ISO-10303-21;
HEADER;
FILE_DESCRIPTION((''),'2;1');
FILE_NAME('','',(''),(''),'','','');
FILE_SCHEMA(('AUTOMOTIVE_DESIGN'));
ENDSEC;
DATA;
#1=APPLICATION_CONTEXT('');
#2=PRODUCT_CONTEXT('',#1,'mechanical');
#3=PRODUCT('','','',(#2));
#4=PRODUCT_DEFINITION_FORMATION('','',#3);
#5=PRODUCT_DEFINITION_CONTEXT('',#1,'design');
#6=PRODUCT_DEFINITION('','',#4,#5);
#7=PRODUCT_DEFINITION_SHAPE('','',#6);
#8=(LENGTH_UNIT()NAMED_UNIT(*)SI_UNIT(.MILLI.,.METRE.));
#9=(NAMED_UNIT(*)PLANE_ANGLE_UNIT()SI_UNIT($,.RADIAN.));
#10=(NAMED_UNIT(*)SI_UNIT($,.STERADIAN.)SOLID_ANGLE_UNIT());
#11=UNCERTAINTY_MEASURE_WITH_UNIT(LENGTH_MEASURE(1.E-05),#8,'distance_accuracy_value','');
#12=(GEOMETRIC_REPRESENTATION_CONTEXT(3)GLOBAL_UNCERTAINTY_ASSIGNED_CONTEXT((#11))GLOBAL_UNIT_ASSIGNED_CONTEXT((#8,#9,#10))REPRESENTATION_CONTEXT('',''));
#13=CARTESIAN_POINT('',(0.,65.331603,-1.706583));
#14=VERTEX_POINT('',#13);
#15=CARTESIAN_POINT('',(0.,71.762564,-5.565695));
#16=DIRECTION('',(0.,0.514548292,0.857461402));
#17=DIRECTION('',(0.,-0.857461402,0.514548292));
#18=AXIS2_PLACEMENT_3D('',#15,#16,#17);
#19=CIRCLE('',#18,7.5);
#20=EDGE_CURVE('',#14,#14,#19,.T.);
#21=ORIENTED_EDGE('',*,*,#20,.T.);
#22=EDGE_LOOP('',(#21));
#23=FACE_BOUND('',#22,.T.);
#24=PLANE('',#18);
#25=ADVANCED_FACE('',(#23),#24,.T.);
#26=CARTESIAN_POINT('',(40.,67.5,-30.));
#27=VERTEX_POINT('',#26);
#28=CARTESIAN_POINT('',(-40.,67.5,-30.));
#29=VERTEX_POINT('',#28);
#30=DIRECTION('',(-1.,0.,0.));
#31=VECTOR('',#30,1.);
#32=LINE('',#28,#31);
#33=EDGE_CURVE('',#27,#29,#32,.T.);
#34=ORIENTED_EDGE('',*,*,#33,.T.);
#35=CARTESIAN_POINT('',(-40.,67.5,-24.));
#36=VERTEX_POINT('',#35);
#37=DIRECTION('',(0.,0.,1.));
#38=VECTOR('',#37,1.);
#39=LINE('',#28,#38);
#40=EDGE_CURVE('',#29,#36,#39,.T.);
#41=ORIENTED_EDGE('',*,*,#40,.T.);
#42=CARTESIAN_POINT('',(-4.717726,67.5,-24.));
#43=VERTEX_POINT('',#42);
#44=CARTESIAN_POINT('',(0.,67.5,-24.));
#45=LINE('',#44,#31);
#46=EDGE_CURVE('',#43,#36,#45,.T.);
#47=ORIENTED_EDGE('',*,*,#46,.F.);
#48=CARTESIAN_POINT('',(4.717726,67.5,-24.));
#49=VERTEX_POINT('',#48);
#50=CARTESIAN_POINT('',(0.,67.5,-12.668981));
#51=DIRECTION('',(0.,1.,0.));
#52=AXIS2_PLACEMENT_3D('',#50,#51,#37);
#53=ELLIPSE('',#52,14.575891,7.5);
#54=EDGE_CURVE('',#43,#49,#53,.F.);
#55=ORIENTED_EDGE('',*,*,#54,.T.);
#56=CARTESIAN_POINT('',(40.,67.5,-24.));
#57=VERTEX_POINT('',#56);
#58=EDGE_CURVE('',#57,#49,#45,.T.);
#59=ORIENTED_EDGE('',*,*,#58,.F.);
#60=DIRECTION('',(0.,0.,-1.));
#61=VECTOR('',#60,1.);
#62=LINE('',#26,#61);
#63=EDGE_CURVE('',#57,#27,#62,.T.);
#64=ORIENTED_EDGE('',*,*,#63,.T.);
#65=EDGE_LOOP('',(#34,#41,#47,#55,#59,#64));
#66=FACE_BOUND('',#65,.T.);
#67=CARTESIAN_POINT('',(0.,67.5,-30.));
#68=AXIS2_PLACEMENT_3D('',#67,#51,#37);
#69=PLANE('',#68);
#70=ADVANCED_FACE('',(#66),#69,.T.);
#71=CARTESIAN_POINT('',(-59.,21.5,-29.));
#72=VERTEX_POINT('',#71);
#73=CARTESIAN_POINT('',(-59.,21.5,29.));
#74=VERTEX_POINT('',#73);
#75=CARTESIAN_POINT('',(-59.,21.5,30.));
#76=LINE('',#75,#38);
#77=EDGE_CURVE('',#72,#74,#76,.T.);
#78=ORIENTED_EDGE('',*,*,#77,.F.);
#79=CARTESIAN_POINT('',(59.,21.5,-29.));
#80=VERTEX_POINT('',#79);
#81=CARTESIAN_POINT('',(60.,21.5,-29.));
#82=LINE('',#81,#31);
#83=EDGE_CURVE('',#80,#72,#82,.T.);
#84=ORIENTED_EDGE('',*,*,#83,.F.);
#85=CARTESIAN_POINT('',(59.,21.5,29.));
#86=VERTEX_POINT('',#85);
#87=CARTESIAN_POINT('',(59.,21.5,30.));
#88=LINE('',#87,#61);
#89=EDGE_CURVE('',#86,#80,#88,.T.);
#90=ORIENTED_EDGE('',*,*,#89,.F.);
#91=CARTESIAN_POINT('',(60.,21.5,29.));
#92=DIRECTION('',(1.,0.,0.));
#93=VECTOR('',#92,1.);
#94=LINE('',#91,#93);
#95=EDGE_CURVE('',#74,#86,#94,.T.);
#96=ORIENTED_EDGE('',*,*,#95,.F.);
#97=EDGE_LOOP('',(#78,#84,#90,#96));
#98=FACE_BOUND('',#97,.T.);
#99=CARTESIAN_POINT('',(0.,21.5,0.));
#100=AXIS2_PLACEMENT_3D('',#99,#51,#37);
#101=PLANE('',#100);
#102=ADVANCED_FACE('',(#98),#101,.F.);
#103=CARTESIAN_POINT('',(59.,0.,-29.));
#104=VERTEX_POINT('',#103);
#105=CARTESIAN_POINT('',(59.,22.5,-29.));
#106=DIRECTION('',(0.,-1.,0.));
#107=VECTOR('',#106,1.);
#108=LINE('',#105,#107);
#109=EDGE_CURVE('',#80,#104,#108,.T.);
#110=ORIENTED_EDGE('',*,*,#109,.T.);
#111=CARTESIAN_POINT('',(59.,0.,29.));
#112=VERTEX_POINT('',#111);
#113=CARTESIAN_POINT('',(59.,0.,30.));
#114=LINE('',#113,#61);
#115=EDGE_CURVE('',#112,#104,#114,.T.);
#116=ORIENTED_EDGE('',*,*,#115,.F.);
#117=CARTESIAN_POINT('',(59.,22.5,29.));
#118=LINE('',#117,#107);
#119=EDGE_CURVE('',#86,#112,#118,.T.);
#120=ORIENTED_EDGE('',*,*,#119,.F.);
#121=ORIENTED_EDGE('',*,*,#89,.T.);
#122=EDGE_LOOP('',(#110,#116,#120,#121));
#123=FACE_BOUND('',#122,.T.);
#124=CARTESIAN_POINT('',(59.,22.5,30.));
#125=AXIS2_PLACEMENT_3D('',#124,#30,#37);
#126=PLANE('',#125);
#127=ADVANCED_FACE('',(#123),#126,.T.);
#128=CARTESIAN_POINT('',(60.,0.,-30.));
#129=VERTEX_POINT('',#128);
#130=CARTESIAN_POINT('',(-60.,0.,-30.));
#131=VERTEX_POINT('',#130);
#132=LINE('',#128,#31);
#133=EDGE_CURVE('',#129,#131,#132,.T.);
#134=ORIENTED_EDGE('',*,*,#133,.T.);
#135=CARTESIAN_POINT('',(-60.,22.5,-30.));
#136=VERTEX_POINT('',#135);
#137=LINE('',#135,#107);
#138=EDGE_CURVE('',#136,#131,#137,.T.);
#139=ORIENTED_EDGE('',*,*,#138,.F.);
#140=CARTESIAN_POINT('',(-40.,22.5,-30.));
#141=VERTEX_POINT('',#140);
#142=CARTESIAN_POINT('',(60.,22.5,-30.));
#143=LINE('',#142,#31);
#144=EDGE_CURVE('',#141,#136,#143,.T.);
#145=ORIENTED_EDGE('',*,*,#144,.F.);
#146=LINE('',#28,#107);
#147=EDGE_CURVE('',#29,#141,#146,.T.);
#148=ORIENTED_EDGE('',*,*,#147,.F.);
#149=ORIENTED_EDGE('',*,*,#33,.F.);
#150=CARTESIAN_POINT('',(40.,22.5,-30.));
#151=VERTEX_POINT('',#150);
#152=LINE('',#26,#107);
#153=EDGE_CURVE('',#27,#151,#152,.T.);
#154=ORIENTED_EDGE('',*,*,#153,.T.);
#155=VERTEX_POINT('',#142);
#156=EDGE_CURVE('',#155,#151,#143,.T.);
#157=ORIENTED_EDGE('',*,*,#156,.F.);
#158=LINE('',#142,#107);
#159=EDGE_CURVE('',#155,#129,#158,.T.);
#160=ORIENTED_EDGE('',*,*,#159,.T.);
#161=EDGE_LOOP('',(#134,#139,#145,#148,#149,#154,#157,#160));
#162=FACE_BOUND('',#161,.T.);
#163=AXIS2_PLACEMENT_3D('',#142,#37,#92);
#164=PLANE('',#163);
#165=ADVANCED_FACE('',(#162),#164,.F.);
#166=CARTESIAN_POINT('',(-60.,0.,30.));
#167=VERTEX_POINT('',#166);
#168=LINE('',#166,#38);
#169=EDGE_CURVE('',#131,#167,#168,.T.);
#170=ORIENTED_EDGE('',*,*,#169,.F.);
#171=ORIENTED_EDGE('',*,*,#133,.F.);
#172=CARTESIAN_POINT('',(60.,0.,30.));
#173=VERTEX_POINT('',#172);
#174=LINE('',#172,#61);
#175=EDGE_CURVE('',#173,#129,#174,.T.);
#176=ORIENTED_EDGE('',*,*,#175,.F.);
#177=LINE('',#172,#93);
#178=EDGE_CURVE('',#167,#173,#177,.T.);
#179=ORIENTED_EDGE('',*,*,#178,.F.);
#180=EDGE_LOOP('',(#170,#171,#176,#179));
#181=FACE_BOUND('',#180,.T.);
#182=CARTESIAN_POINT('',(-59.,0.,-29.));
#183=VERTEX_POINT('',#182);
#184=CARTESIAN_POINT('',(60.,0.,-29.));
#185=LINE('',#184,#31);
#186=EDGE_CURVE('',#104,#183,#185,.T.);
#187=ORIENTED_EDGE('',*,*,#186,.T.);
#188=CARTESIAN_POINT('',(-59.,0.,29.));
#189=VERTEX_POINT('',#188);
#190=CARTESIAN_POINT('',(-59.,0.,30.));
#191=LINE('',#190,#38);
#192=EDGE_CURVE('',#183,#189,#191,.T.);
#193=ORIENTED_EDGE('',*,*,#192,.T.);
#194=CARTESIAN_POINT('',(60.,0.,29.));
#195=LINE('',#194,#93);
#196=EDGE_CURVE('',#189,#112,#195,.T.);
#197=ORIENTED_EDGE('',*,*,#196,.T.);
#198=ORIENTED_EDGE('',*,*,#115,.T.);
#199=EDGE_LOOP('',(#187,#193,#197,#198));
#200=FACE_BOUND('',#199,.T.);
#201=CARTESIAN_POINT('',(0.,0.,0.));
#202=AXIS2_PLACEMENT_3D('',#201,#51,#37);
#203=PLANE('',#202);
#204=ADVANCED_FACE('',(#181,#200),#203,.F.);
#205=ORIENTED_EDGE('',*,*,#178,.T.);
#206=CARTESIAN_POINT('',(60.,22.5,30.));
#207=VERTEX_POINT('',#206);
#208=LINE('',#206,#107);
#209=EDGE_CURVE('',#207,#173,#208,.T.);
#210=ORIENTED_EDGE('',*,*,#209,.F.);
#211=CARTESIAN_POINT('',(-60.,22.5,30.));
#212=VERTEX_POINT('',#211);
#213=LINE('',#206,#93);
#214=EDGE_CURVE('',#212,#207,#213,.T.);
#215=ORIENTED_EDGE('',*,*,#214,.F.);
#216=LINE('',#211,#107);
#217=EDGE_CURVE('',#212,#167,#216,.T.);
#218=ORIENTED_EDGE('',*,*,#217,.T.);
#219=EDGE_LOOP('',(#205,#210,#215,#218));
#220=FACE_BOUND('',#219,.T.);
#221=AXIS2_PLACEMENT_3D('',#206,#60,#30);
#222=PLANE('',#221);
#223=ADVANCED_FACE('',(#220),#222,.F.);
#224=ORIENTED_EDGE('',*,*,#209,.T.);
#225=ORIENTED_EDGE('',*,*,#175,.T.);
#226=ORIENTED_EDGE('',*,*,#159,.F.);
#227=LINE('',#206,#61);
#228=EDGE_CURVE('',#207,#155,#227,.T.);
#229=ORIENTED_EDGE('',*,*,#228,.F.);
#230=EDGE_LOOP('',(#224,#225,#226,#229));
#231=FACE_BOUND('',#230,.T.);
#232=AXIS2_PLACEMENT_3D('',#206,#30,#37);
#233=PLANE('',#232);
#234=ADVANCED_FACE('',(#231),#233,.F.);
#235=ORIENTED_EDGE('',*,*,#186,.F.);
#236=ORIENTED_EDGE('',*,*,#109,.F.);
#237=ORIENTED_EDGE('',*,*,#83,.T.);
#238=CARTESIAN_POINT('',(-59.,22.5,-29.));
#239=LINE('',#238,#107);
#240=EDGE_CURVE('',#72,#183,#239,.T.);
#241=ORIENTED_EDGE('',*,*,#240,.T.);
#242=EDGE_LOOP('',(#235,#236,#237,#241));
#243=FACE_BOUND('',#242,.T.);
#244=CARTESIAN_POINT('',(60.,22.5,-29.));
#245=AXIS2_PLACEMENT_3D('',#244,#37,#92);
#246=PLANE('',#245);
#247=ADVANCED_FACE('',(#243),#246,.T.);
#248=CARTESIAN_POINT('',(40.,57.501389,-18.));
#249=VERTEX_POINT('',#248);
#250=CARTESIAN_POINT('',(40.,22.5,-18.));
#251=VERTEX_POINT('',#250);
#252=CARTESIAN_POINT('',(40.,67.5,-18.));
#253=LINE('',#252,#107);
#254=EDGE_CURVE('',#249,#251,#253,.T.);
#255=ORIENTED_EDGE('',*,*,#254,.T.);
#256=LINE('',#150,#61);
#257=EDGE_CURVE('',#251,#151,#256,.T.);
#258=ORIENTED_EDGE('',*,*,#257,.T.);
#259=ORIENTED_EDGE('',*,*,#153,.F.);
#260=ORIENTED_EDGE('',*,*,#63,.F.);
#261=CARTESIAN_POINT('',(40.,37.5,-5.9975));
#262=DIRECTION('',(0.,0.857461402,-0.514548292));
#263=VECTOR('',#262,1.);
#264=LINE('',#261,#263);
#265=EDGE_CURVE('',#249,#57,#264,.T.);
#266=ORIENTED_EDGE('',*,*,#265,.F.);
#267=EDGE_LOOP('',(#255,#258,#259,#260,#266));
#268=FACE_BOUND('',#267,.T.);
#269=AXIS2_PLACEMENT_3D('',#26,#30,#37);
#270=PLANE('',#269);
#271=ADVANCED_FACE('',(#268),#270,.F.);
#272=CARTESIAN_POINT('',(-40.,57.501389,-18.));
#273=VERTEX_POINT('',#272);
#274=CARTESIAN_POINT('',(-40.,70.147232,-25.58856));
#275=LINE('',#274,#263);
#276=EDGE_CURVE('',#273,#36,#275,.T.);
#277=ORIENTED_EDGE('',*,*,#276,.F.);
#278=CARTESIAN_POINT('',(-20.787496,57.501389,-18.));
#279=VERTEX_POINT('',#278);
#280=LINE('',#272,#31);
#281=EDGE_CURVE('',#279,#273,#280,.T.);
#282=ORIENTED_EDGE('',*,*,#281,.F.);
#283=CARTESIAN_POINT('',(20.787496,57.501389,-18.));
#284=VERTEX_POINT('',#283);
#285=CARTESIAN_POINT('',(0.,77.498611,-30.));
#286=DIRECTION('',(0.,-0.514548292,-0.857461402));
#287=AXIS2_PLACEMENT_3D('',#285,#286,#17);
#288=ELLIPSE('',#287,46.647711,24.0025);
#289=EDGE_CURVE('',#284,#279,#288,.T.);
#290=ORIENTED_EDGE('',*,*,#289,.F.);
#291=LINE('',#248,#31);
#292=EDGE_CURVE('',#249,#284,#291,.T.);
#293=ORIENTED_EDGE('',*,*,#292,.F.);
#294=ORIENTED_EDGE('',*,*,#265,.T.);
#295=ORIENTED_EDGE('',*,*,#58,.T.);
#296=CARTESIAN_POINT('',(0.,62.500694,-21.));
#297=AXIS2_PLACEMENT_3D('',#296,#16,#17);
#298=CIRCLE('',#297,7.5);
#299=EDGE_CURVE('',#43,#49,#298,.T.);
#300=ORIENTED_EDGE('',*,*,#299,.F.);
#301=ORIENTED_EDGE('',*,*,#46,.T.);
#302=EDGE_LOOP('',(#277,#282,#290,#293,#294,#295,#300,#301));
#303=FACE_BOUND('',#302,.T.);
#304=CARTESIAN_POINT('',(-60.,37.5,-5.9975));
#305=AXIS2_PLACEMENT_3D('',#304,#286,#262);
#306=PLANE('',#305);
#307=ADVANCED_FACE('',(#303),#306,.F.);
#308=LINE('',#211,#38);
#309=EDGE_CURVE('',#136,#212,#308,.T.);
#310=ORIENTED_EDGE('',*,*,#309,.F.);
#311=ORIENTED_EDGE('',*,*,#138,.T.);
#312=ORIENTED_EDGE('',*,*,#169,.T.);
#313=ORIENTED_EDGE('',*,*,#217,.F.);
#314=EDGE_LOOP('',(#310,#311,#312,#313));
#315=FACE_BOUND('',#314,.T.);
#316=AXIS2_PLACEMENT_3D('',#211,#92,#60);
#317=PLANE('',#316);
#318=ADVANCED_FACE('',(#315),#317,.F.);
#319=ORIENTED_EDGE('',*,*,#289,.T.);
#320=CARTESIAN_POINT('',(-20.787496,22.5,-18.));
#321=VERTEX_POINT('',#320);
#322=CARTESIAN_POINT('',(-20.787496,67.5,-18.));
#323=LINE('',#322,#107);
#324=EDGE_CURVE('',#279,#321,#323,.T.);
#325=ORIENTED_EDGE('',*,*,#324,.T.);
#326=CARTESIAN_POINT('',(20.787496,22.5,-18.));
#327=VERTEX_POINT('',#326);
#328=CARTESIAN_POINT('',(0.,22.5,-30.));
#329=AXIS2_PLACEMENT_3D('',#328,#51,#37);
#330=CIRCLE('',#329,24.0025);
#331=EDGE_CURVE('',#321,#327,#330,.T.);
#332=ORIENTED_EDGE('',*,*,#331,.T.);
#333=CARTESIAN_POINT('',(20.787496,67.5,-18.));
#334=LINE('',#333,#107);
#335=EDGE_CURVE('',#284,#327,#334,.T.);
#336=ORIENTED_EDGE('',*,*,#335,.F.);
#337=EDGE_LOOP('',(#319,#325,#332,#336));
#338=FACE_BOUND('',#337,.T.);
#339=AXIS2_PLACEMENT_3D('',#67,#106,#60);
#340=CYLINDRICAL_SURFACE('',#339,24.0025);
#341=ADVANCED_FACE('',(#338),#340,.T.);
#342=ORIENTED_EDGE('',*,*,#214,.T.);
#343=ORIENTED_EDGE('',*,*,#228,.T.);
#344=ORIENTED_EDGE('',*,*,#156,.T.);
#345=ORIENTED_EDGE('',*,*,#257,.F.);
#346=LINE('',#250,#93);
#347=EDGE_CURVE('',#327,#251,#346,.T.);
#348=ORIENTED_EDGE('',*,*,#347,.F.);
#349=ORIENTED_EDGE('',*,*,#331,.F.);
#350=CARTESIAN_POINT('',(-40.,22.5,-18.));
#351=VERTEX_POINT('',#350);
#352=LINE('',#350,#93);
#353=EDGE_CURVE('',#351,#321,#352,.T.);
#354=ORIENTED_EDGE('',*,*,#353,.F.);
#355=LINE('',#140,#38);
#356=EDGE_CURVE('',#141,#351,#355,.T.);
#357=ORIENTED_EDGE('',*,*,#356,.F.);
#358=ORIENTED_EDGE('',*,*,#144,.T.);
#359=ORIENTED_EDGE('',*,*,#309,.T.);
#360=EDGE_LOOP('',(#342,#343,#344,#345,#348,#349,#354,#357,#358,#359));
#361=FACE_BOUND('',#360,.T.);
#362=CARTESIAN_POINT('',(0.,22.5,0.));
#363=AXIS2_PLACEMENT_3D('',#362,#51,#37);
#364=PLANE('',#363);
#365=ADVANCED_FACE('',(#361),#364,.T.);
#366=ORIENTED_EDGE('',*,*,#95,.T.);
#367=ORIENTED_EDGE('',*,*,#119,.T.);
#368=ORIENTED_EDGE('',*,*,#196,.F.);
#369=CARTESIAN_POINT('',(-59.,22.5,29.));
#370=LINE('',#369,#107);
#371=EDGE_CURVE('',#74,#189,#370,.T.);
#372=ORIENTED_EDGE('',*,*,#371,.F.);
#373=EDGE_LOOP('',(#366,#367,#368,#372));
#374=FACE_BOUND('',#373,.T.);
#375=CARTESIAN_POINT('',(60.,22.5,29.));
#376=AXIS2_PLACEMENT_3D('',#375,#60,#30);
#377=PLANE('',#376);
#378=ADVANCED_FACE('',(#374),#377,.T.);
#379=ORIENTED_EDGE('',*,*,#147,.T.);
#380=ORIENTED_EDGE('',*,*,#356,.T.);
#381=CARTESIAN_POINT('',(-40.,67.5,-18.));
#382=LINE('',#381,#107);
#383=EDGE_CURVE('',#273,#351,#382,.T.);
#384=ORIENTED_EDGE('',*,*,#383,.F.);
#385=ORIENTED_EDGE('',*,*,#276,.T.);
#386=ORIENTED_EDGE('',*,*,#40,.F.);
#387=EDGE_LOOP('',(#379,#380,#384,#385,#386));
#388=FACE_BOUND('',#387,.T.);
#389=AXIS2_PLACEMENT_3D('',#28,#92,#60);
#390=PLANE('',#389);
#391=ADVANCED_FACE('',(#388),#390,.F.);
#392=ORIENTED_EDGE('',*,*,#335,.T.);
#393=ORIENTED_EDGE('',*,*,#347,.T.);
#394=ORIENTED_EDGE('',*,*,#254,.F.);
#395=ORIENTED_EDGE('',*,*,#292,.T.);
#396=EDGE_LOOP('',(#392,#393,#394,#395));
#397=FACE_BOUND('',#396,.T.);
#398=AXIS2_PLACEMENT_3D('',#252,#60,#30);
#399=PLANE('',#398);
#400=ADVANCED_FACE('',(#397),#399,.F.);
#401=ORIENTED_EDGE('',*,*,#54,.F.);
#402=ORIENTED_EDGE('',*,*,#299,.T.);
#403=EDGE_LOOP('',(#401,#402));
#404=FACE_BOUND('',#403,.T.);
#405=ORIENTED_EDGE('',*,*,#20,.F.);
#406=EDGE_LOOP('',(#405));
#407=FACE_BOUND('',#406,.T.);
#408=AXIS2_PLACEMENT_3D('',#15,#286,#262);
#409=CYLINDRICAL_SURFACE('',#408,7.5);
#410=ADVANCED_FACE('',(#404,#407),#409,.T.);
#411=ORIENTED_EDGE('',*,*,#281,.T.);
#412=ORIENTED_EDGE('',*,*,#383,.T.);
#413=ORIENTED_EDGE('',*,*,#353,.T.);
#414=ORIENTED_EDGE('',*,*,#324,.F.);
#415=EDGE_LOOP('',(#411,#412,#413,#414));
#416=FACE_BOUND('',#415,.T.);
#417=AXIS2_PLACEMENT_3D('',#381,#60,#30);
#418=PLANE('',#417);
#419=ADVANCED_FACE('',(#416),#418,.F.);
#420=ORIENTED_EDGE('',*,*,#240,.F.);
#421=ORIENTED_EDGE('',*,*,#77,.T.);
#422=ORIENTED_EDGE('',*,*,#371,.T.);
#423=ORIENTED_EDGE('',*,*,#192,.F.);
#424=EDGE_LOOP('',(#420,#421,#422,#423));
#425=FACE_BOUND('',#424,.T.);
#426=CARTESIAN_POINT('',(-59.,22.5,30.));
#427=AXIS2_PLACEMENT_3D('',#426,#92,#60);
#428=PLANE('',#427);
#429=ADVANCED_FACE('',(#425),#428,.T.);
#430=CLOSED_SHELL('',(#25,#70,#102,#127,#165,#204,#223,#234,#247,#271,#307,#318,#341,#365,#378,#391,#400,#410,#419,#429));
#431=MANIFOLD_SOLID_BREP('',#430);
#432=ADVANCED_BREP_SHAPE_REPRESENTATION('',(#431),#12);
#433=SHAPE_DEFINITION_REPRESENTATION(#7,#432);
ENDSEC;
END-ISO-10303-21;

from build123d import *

# Parameters (mm, degrees)
SKETCH1_W                       = 120
SKETCH1_H                       = 60
BOSS_EXTRUDE1_DEPTH             = 22.5
SHELL1_T                        = -1
BOSS_EXTRUDE2_DEPTH             = 45
CUT_EXTRUDE1_DEPTH              = 125.323167592
BOSS_EXTRUDE3_REACH             = 96.877
SKETCH8_R                       = 7.5
BOSS_EXTRUDE3_DIRECTION_2_DEPTH = 18


with BuildPart() as part:
    # Sketch1 → Boss-Extrude1 (new body)
    with BuildSketch(Plane(origin=(0, 0, 0), x_dir=(1, 0, 0), z_dir=(0, 1, 0))):
        Rectangle(SKETCH1_W, SKETCH1_H)
    extrude(amount=BOSS_EXTRUDE1_DEPTH)

    # Shell1
    shell1_openings = [part.faces().sort_by_distance(p)[0] for p in [
        (0, 0, 0),
    ]]
    offset(amount=SHELL1_T, openings=shell1_openings, kind=Kind.INTERSECTION)

    # Sketch2 → Boss-Extrude2 (add)
    with BuildSketch(Plane(origin=(0, 22.5, 0), x_dir=(1, 0, 0), z_dir=(0, 1, 0))):
        with BuildLine():
            Line((-40, 30), (40, 30))
            Line((40, 30), (40, 18))
            Line((40, 18), (20.787496232, 18))
            ThreePointArc((20.787496232, 18), (0, 5.997500139), (-20.787496232, 18))
            Line((-20.787496232, 18), (-40, 18))
            Line((-40, 18), (-40, 30))
        make_face()
    extrude(amount=BOSS_EXTRUDE2_DEPTH)

    # Sketch3 → Cut-Extrude1 (cut, through all)
    with BuildSketch(Plane(origin=(40, 0, 0), x_dir=(0, 0, -1), z_dir=(1, 0, 0))):
        Polygon((24, 67.5), (5.997500139, 67.5), (5.997500139, 37.5), align=None)
    extrude(amount=-CUT_EXTRUDE1_DEPTH, mode=Mode.SUBTRACT)

    # Sketch8 → Boss-Extrude3 (add, up to next)
    with BuildSketch(Plane(origin=(0, 7.282369087, 12.135596405), x_dir=(1, 0, 0), z_dir=(0, 0.514548292074691, 0.8574614015353803)), mode=Mode.PRIVATE) as boss_extrude3_sk1:
        with Locations((0, 64.397447073)):
            Circle(SKETCH8_R)
    boss_extrude3_tool1 = extrude(boss_extrude3_sk1.sketch, amount=-BOSS_EXTRUDE3_REACH, mode=Mode.PRIVATE) - part.part
    add(boss_extrude3_tool1.solids().sort_by_distance((0, 62.500694, -21))[0])

    # Sketch8 → Boss-Extrude3 direction 2 (add)
    with BuildSketch(Plane(origin=(0, 7.282369087, 12.135596405), x_dir=(1, 0, 0), z_dir=(0, 0.514548292074691, 0.8574614015353803))):
        with Locations((0, 64.397447073)):
            Circle(SKETCH8_R)
    extrude(amount=BOSS_EXTRUDE3_DIRECTION_2_DEPTH)


solid = part.part
